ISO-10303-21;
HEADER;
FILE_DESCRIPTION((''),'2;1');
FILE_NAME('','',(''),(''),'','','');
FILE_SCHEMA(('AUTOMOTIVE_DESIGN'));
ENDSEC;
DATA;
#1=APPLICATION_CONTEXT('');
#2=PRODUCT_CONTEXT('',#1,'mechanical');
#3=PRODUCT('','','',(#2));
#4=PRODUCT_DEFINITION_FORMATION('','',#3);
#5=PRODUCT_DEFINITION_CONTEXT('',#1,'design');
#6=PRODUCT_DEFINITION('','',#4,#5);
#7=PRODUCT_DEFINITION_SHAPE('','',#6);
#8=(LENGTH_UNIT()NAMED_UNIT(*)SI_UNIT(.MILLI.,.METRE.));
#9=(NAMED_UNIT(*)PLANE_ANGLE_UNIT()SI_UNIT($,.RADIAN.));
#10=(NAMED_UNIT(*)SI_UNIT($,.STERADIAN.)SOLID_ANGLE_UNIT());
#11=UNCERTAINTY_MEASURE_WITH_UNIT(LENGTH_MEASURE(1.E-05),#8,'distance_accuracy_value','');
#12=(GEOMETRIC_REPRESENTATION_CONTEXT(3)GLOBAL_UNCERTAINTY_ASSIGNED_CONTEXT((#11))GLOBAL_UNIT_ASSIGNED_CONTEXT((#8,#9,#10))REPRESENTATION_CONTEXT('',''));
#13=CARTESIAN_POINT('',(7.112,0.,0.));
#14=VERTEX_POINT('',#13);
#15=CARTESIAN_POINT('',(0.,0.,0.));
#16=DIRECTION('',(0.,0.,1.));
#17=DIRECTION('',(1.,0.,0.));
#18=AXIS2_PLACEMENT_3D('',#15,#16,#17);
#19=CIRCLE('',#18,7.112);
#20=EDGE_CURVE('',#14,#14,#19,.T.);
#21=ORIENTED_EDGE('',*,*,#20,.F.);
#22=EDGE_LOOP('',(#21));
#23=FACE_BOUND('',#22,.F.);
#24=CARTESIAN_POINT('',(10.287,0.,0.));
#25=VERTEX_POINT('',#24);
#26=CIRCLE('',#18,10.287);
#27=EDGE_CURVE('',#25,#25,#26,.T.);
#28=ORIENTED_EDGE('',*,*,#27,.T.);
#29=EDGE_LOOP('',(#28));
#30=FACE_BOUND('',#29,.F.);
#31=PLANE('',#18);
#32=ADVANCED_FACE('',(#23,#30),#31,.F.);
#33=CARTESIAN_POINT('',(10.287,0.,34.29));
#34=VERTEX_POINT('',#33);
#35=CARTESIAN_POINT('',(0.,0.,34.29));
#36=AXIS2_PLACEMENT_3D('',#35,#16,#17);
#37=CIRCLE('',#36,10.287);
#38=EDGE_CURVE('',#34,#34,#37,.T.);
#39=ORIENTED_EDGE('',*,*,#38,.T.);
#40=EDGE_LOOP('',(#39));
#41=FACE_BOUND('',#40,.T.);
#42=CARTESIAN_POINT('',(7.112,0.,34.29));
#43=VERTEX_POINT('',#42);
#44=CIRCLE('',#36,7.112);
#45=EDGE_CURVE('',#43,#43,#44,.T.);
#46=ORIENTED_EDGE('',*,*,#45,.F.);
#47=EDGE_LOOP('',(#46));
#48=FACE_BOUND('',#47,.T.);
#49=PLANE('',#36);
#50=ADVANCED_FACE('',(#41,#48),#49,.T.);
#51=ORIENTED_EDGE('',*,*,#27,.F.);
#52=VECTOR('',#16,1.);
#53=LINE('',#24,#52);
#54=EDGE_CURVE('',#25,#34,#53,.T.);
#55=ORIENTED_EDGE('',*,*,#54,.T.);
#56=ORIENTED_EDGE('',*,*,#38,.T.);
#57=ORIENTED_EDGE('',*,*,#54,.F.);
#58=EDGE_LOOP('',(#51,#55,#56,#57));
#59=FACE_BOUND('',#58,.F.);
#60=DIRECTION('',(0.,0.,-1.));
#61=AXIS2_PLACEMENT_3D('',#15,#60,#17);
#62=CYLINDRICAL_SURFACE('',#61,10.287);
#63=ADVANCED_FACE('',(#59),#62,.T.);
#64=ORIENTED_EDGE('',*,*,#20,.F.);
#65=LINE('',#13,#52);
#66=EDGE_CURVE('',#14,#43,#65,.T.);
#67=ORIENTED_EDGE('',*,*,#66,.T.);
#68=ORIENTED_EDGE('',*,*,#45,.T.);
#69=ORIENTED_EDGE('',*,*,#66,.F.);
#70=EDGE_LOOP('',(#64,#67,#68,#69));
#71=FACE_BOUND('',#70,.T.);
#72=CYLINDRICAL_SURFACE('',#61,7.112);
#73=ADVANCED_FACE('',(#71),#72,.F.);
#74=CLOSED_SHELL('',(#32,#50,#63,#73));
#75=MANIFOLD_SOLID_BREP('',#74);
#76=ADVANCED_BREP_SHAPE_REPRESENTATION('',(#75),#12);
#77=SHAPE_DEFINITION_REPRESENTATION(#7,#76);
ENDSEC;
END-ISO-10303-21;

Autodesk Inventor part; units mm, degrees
ref_plane "YZ Plane" through (0, 0, 0) normal (1, 0, 0) x (0, 1, 0)
ref_plane "XZ Plane" through (0, 0, 0) normal (0, 1, 0) x (-1, 0, 0)
ref_plane "XY Plane" through (0, 0, 0) normal (0, 0, 1) x (1, 0, 0)
sketch "Sketch1" plane through (0, 0, 0) normal (0, 0, 1) x (1, 0, 0)
  circle A0 centre (0, 0) radius 7.112
  circle A1 centre (0, 0) radius 10.287
  dimension "d0" = 14.224
  dimension "d1" = 3.175
extrude "Extrusion1" add sketch "Sketch1" along normal blind 34.29
properties part number "GP-SP-005" material "ABS Plastic"
